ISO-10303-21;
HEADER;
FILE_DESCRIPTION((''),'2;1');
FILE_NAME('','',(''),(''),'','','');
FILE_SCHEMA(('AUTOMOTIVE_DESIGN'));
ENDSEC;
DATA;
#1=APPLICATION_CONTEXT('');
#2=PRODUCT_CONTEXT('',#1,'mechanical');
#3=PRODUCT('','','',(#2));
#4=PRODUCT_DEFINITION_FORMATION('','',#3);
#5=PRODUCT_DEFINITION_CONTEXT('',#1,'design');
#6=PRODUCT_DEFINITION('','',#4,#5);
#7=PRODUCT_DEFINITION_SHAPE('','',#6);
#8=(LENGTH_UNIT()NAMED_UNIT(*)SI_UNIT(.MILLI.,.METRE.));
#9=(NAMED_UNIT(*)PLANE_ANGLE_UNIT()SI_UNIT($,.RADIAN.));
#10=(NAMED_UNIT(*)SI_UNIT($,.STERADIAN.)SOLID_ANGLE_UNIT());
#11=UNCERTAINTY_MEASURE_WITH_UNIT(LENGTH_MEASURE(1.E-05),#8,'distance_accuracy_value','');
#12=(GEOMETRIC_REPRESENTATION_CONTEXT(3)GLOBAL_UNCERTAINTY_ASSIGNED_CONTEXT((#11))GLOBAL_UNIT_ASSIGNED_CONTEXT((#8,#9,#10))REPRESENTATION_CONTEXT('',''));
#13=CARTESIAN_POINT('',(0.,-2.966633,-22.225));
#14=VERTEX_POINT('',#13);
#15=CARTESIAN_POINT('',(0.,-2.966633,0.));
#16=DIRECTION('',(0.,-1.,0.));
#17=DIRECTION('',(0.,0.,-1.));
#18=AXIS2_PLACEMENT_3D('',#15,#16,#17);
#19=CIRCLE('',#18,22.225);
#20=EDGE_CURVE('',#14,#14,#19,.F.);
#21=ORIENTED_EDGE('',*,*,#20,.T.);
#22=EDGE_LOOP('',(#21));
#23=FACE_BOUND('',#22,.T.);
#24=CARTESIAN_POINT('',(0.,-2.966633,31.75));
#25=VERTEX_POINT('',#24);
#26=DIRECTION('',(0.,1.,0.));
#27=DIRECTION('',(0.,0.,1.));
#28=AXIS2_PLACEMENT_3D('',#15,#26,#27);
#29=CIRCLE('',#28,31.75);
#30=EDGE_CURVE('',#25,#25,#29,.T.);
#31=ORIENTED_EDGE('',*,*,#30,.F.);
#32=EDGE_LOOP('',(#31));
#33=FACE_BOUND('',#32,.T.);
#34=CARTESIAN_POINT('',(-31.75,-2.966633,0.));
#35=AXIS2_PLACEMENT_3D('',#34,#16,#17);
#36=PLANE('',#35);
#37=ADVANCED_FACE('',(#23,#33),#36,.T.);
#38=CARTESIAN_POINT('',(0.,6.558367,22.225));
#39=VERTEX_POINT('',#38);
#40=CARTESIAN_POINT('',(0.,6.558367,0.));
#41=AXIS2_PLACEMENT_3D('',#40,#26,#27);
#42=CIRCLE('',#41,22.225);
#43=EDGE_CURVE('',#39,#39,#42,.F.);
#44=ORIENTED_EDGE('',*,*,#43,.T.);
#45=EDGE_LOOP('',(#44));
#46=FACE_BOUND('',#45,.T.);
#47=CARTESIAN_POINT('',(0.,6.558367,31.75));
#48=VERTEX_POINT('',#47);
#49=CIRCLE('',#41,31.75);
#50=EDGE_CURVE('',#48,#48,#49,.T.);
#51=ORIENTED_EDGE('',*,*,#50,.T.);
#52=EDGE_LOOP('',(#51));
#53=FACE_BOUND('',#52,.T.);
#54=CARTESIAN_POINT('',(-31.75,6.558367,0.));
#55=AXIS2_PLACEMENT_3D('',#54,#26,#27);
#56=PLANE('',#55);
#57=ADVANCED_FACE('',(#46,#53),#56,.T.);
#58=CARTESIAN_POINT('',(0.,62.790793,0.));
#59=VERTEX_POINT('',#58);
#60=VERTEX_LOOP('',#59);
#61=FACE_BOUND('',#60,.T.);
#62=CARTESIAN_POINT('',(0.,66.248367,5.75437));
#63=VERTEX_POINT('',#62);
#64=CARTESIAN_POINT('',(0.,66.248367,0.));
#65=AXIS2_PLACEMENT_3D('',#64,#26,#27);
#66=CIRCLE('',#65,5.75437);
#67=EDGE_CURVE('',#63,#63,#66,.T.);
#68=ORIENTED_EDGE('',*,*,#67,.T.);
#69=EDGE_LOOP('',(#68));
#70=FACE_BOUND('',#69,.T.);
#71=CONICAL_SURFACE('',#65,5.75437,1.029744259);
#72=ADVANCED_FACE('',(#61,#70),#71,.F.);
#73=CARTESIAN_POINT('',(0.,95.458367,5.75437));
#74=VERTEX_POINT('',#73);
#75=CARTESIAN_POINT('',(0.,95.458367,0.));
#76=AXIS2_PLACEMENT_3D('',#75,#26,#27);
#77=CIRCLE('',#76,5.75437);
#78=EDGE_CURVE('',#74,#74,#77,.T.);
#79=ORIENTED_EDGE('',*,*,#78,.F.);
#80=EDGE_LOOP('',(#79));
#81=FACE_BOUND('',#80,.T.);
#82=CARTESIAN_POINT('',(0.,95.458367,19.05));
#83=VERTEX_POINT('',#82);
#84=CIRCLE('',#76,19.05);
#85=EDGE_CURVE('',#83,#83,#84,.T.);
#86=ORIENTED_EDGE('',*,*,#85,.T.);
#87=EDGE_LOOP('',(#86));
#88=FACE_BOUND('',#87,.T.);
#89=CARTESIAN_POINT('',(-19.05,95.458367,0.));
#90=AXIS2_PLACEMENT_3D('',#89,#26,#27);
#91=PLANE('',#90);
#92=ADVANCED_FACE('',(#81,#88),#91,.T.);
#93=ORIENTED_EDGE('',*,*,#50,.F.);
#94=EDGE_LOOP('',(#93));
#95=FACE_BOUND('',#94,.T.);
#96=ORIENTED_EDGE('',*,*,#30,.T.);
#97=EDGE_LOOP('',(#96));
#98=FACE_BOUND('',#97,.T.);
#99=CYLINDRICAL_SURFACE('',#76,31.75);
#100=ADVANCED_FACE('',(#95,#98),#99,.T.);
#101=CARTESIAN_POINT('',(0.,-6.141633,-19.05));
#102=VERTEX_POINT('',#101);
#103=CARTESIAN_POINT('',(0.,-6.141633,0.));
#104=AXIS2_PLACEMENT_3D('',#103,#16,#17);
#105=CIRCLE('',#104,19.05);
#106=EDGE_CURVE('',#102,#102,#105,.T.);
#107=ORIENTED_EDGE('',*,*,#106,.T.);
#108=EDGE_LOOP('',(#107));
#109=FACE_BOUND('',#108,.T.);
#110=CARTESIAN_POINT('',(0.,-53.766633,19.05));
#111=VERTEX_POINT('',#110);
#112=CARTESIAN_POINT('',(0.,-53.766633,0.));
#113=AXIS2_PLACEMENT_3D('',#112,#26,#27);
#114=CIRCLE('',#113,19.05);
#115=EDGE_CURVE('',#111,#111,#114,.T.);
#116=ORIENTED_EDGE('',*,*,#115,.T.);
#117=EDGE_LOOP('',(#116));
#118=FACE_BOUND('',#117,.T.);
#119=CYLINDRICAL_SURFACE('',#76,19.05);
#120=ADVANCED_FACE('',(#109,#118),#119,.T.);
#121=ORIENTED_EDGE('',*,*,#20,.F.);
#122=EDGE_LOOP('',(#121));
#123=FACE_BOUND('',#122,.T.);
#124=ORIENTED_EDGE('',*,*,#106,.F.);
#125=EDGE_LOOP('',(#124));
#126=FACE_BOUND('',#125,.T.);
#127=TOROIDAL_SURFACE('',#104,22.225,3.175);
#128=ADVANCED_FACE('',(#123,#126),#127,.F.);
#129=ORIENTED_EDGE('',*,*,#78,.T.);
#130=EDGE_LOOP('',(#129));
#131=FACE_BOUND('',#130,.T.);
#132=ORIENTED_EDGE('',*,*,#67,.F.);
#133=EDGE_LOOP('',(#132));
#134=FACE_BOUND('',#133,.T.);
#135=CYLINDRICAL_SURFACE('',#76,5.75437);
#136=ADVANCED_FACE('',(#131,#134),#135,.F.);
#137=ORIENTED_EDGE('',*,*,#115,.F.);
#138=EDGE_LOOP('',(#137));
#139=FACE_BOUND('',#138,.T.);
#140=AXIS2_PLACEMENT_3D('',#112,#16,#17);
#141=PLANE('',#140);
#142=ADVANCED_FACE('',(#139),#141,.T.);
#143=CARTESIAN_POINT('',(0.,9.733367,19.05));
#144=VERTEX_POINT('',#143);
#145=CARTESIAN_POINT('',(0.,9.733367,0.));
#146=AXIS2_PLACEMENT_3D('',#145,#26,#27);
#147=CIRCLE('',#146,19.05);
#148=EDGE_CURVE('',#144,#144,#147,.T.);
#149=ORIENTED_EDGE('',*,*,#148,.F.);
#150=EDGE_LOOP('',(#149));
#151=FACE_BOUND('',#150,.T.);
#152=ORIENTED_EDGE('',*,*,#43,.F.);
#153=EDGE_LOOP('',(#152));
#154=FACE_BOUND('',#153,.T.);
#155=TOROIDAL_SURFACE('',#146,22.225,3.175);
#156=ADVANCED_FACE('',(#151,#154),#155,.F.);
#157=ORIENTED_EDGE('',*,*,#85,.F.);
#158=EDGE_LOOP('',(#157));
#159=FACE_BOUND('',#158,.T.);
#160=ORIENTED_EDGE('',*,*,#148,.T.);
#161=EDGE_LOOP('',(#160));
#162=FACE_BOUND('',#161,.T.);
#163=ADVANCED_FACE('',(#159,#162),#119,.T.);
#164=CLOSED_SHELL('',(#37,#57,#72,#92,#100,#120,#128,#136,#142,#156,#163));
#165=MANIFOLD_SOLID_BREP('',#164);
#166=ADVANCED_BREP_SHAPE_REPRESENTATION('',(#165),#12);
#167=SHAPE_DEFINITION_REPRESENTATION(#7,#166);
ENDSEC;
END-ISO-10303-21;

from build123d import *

# Parameters (mm, degrees)
F_1_2_20_TAPPED_HOLE1_D     = 11.50874
F_1_2_20_TAPPED_HOLE1_DEPTH = 29.21
F_1_2_20_TAPPED_HOLE1_TIP   = 3.45757432
FILLET1_R                   = 3.175


with BuildPart() as part:
    # Sketch1 → Revolve2 (revolve)
    with BuildSketch(Plane.XY):
        Polygon((-31.75, -2.966632853), (-31.75, 6.558367147), (-19.05, 6.558367147), (-19.05, 95.458367147), (0, 95.458367147), (0, 0), (0, -53.766632853), (-19.05, -53.766632853), (-19.05, -2.966632853), align=None)
    revolve(axis=Axis((0, 95.458367147, 0), (0, -1, 0)))

    # 1/2-20 Tapped Hole1
    with Locations(Plane.ZX.offset(95.458367147)):
        with Locations((0, 0)):
            Hole(F_1_2_20_TAPPED_HOLE1_D / 2, depth=F_1_2_20_TAPPED_HOLE1_DEPTH)
            with Locations((0, 0, -(F_1_2_20_TAPPED_HOLE1_DEPTH + F_1_2_20_TAPPED_HOLE1_TIP / 2))):  # 118° drill point
                Cone(0, F_1_2_20_TAPPED_HOLE1_D / 2, F_1_2_20_TAPPED_HOLE1_TIP, mode=Mode.SUBTRACT)

    # Fillet1
    fillet1_edges = [part.edges().sort_by_distance(p)[0] for p in [
        (19.05, 6.558367147, 0),
        (19.05, -2.966632853, 0),
    ]]
    fillet(fillet1_edges, radius=FILLET1_R)


solid = part.part
